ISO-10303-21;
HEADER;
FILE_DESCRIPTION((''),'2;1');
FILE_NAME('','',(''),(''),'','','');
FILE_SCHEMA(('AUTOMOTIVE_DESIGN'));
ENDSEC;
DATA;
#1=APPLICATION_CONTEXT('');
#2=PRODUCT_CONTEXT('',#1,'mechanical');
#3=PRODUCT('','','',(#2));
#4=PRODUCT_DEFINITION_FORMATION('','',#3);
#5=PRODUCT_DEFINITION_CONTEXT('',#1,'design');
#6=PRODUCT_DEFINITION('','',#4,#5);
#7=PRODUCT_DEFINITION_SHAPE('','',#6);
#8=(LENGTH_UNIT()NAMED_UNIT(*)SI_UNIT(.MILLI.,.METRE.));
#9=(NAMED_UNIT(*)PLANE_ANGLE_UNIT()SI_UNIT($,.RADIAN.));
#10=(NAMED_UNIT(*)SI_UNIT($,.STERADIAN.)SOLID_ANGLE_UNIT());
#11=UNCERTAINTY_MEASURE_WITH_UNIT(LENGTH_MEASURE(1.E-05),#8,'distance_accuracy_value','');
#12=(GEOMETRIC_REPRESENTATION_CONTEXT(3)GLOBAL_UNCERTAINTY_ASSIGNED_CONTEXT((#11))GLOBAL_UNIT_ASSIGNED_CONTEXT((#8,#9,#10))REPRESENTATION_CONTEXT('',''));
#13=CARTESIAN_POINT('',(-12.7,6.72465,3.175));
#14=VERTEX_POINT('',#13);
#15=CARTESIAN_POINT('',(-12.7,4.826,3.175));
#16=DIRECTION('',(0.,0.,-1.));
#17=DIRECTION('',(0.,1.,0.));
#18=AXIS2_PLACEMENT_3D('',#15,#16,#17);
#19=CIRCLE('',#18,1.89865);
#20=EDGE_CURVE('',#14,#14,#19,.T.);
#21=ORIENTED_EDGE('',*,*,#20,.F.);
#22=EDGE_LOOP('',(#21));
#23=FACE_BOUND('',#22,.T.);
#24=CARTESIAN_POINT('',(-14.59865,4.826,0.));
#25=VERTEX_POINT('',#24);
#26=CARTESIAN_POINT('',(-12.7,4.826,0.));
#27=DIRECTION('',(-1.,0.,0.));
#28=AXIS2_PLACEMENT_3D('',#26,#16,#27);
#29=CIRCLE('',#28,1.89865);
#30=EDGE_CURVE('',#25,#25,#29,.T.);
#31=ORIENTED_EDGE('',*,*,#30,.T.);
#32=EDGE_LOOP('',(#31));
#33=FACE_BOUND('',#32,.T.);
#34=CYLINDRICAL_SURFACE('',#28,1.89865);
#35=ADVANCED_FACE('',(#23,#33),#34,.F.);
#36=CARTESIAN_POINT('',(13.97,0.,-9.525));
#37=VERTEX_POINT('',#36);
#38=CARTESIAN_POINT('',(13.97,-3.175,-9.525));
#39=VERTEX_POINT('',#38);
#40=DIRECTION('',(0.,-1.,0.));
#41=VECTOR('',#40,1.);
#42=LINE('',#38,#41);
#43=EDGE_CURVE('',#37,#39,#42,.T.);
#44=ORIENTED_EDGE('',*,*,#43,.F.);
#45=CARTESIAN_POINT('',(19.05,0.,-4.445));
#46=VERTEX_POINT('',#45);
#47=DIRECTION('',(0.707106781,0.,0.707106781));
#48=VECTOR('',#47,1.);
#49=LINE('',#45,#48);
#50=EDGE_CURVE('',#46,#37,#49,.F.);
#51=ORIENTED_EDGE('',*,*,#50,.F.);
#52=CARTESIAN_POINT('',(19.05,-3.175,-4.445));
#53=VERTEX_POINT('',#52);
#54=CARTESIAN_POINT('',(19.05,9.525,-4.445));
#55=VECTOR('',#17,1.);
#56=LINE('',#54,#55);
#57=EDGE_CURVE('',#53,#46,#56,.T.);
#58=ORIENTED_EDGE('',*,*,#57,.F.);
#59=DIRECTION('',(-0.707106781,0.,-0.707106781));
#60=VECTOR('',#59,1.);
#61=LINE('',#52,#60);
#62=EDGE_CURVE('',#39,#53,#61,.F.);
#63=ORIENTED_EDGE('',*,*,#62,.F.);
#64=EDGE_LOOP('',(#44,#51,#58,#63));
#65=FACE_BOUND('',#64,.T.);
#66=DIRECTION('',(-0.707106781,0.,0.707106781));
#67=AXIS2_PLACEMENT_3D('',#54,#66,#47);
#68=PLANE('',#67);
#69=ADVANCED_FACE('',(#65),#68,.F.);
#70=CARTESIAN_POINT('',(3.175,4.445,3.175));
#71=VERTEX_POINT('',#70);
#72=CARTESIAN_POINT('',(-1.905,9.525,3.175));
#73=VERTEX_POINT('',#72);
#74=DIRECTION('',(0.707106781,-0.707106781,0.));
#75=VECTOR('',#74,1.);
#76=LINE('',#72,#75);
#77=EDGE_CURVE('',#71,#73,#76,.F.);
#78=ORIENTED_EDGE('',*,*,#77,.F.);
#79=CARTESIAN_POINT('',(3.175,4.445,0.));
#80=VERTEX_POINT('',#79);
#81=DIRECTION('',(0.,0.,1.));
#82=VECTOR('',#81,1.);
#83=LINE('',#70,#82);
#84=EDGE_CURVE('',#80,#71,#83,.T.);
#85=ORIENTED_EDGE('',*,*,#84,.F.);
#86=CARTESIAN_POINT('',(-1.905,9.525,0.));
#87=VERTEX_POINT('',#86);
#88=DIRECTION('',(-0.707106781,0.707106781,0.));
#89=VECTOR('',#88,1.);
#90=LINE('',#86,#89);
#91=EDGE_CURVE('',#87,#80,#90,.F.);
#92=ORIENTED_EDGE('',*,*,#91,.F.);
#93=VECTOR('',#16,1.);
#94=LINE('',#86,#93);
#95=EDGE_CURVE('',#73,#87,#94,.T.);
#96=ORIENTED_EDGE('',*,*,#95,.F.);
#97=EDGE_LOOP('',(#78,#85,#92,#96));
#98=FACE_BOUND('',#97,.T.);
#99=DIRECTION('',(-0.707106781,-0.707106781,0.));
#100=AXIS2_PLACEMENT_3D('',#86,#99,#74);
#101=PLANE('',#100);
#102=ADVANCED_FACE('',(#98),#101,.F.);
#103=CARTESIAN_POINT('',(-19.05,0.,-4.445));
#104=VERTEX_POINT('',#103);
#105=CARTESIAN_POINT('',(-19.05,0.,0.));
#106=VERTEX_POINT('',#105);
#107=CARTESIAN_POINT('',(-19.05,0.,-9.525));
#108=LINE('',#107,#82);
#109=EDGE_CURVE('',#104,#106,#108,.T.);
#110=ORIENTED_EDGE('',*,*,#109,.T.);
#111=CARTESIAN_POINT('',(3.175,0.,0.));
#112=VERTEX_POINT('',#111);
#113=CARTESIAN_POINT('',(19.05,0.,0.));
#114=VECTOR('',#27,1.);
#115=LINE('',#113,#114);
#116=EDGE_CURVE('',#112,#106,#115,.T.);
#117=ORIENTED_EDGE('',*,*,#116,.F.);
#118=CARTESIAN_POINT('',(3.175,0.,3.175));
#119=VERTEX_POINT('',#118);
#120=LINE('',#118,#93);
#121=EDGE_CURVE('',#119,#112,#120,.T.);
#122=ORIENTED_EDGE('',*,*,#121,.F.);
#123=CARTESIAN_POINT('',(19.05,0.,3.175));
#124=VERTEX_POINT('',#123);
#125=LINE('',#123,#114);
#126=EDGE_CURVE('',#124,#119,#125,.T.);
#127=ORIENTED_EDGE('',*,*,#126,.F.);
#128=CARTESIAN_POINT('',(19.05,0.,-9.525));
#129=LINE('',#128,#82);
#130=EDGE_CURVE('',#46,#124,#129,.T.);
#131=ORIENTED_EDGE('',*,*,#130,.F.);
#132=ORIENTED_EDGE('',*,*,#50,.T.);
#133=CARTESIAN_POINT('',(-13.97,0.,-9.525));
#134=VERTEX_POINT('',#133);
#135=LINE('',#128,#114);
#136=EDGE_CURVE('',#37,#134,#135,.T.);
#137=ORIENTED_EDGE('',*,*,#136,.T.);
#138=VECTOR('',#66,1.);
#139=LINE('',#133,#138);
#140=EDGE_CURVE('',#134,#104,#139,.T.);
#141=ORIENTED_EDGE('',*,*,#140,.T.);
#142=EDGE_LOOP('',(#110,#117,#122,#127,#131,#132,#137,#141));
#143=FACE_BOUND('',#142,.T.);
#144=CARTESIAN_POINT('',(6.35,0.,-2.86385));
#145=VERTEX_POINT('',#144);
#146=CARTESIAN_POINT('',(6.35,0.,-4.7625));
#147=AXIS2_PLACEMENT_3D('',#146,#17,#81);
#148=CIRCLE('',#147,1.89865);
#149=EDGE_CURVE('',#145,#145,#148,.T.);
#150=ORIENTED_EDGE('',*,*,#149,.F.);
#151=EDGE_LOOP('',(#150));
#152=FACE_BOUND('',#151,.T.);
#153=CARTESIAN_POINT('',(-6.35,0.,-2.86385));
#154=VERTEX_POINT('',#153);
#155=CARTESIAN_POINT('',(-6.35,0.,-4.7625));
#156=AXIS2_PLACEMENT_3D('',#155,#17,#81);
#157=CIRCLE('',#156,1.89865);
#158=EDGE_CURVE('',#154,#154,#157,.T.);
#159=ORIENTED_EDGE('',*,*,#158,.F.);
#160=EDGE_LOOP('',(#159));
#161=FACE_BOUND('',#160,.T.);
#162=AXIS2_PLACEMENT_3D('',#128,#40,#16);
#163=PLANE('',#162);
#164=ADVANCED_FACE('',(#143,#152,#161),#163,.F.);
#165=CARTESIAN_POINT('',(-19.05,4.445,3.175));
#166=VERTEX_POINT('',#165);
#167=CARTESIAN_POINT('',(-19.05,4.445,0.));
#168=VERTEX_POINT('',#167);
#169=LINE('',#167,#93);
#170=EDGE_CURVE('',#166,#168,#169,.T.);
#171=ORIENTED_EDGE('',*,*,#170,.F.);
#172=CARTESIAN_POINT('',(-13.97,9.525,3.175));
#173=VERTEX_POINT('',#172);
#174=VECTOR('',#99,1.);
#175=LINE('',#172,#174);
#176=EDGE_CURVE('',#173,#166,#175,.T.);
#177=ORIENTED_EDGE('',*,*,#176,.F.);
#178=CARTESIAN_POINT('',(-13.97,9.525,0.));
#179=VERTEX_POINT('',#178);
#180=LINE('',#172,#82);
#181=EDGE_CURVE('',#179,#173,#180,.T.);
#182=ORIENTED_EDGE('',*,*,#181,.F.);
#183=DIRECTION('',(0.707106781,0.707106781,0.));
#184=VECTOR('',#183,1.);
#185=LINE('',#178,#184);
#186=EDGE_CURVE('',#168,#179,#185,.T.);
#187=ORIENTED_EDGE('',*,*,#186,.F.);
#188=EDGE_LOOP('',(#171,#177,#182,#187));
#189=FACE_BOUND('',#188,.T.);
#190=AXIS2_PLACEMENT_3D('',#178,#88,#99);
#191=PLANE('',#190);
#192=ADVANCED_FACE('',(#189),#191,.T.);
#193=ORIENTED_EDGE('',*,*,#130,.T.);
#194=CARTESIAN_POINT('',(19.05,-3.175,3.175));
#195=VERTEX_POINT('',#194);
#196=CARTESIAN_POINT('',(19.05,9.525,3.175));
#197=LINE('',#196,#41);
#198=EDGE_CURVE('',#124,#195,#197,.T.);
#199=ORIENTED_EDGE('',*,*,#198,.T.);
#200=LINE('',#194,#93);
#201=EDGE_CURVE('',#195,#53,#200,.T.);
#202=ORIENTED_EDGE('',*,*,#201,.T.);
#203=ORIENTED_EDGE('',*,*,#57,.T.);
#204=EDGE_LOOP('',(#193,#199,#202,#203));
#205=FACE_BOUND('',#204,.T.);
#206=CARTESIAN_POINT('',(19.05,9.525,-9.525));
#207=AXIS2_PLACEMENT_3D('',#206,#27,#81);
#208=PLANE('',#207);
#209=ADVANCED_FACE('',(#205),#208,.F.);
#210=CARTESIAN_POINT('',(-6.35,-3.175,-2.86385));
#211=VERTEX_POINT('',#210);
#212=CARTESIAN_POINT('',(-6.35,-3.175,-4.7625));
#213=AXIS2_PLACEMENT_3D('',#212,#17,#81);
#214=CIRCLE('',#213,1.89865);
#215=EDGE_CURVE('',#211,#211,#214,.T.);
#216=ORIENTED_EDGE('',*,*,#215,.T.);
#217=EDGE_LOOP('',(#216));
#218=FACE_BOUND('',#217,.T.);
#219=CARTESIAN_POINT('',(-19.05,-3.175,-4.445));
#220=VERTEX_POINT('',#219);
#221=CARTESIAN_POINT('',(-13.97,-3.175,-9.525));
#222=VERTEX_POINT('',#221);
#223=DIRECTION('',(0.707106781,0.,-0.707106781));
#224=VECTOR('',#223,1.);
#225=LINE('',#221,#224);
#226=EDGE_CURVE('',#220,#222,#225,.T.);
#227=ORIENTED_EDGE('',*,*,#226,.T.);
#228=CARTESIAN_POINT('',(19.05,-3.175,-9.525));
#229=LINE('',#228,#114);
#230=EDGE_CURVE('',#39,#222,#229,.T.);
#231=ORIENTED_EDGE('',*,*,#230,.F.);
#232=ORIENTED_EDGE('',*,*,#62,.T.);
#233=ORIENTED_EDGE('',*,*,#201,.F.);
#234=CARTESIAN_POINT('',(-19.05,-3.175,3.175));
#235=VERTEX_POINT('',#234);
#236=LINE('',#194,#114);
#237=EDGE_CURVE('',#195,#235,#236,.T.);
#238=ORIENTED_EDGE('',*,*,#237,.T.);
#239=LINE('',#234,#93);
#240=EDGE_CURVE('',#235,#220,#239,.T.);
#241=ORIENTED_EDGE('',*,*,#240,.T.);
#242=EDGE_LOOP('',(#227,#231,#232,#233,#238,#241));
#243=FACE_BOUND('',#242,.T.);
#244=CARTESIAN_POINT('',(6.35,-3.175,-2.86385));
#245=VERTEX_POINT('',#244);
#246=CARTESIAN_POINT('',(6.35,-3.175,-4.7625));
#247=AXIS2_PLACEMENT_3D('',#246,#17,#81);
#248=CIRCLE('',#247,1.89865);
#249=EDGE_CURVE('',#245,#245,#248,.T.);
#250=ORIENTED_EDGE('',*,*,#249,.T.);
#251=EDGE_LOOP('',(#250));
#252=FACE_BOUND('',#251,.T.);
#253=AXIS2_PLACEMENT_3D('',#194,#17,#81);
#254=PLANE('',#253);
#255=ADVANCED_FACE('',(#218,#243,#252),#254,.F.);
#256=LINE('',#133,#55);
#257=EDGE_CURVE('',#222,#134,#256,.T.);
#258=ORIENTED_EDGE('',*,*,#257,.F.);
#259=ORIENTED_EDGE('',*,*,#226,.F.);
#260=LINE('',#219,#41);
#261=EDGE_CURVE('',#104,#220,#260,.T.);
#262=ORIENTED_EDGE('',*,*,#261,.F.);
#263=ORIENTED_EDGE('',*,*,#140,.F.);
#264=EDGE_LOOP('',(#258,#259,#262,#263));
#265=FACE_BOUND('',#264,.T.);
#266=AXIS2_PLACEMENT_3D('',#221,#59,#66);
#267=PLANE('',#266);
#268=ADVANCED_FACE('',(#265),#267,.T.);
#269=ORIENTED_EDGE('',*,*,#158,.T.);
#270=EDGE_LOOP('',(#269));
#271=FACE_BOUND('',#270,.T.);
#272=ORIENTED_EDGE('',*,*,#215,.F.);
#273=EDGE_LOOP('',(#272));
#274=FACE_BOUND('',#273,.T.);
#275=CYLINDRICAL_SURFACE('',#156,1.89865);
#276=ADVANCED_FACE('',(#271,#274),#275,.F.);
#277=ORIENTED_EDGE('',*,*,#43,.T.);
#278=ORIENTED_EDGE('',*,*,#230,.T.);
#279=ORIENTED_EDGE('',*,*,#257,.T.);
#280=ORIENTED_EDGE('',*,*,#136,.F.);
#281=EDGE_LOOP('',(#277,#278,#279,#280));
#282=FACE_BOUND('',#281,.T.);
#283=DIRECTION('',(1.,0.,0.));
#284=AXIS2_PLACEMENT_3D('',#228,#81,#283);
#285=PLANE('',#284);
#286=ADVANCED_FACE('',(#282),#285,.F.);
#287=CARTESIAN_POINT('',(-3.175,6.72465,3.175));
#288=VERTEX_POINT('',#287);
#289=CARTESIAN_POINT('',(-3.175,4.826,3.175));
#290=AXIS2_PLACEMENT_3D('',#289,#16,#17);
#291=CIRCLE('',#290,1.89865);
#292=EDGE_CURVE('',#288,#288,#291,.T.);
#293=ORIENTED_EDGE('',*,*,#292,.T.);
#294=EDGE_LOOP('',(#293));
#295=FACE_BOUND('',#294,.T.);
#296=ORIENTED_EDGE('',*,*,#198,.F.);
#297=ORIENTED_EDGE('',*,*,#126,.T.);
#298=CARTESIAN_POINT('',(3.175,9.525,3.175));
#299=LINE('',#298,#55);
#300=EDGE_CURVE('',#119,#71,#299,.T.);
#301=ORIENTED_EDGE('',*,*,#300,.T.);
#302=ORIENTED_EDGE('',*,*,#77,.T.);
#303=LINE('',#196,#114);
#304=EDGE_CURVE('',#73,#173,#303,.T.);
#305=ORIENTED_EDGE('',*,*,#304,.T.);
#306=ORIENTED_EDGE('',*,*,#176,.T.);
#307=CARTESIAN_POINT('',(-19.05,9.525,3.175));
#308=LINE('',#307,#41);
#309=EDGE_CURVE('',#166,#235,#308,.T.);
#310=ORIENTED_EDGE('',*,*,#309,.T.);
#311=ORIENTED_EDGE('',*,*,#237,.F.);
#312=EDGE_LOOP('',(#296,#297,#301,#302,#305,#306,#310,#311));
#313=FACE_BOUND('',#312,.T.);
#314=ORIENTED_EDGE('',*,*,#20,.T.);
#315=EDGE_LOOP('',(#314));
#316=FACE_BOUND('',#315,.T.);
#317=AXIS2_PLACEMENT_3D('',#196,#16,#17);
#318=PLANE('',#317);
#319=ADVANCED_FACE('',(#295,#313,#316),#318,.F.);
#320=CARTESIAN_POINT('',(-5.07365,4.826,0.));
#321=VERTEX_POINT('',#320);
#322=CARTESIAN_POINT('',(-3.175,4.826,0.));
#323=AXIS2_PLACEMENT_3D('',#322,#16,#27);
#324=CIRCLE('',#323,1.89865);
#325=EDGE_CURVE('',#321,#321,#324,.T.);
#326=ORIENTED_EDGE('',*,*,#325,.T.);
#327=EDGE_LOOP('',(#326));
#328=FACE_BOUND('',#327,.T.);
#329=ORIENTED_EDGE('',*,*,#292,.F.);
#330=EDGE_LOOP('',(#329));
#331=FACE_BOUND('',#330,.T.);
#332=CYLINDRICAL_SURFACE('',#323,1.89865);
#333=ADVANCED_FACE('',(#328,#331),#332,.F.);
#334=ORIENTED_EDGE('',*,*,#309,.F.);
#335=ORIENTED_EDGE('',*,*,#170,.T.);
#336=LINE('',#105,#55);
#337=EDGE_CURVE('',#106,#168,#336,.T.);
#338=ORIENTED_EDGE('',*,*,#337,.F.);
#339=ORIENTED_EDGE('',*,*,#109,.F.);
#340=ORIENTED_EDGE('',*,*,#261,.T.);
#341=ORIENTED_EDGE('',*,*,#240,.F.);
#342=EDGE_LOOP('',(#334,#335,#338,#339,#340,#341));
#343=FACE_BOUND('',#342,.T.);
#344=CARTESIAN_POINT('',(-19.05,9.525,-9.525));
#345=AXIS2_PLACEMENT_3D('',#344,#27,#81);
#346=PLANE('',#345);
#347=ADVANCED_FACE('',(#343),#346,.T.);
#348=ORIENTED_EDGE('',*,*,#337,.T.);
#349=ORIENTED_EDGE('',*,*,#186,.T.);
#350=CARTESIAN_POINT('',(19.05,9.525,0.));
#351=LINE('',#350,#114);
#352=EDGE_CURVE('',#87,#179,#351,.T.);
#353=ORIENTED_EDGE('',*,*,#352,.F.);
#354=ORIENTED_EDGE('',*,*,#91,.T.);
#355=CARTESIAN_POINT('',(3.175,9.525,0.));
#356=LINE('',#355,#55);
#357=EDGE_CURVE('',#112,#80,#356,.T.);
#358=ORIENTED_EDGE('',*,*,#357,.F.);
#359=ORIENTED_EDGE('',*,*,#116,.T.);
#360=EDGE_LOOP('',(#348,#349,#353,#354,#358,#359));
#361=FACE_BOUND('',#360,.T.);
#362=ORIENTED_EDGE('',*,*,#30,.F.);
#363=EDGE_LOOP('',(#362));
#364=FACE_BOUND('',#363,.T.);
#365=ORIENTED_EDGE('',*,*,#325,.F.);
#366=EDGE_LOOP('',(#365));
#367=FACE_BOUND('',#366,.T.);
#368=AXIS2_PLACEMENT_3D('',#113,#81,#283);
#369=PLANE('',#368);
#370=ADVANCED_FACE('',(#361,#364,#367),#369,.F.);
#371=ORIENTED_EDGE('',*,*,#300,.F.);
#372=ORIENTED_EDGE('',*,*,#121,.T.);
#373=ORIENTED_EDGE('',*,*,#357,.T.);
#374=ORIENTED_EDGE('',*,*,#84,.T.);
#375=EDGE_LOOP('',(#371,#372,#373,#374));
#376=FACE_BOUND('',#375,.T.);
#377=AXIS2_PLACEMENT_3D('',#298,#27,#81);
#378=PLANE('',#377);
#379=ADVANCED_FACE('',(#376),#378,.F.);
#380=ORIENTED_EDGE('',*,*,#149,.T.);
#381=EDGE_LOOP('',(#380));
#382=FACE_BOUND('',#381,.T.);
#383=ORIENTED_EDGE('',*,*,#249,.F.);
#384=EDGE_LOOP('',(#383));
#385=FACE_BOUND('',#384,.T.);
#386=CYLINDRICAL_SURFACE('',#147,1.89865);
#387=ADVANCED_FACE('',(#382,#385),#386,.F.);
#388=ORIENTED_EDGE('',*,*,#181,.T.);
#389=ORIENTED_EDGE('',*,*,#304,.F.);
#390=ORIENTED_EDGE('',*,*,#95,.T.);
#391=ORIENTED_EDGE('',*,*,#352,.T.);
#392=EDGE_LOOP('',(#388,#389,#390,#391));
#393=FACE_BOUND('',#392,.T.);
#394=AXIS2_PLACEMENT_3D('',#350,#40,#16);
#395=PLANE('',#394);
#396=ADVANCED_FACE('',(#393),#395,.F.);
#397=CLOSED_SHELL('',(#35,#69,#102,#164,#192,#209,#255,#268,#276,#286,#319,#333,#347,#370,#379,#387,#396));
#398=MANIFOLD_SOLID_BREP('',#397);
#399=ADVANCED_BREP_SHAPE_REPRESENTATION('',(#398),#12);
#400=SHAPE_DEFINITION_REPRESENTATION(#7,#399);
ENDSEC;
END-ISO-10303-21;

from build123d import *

# Parameters (mm, degrees)
EXTRUDE1_DEPTH                      = 19.05
EXTRUDE1_DEPTH_BACK                 = 19.05
F_6_CLEARANCE_HOLE1_D               = 3.7973
F_6_CLEARANCE_HOLE1_DEPTH           = 6.35
F_6_CLEARANCE_HOLE1_TIP             = 1.140824014
F_6_CLEARANCE_HOLE1_ON_FACE_2_D     = 3.7973
F_6_CLEARANCE_HOLE1_ON_FACE_2_DEPTH = 6.35
F_6_CLEARANCE_HOLE1_ON_FACE_2_TIP   = 1.140824014
SKETCH3_W                           = 15.875
SKETCH3_H                           = 9.525
CUT_EXTRUDE1_DEPTH                  = 24.3313898
CHAMFER1_SIZE                       = 5.08


with BuildPart() as part:
    # Sketch1 → Extrude1 (new, two sides: drawn at the far end of the back side and taken through both)
    with BuildSketch(Plane(origin=(0, 0, 0), x_dir=(0, 0, -1), z_dir=(1, 0, 0)).offset(-EXTRUDE1_DEPTH_BACK)):
        Polygon((-3.175, 9.525), (-3.175, -3.175), (9.525, -3.175), (9.525, 0), (0, 0), (0, 9.525), align=None)
    extrude(amount=EXTRUDE1_DEPTH + EXTRUDE1_DEPTH_BACK)

    # #6 Clearance Hole1
    with Locations(Plane(origin=(6.35, 0, -4.7625), x_dir=(0, 0, 1), z_dir=(0, 1, 0))):
        with Locations((0, 0), (0, -12.7)):
            Hole(F_6_CLEARANCE_HOLE1_D / 2, depth=F_6_CLEARANCE_HOLE1_DEPTH)
            with Locations((0, 0, -(F_6_CLEARANCE_HOLE1_DEPTH + F_6_CLEARANCE_HOLE1_TIP / 2))):  # 118° drill point
                Cone(0, F_6_CLEARANCE_HOLE1_D / 2, F_6_CLEARANCE_HOLE1_TIP, mode=Mode.SUBTRACT)

    # #6 Clearance Hole1 on face 2
    with Locations(Plane(origin=(-12.7, 4.826, 0), x_dir=(-1, 0, 0), z_dir=(0, 0, -1))):
        with Locations((0, 0), (-9.525, 0)):
            Hole(F_6_CLEARANCE_HOLE1_ON_FACE_2_D / 2, depth=F_6_CLEARANCE_HOLE1_ON_FACE_2_DEPTH)
            with Locations((0, 0, -(F_6_CLEARANCE_HOLE1_ON_FACE_2_DEPTH + F_6_CLEARANCE_HOLE1_ON_FACE_2_TIP / 2))):  # 118° drill point
                Cone(0, F_6_CLEARANCE_HOLE1_ON_FACE_2_D / 2, F_6_CLEARANCE_HOLE1_ON_FACE_2_TIP, mode=Mode.SUBTRACT)

    # Sketch3 → Cut-Extrude1 (cut, through all)
    with BuildSketch(Plane(origin=(0, 0, 0), x_dir=(-1, 0, 0), z_dir=(0, 0, -1))):
        with Locations((-11.1125, 4.7625)):
            Rectangle(SKETCH3_W, SKETCH3_H)
    extrude(amount=-CUT_EXTRUDE1_DEPTH, mode=Mode.SUBTRACT)

    # Chamfer1
    chamfer1_edges = [part.edges().sort_by_distance(p)[0] for p in [
        (19.05, -1.5875, -9.525),
        (-19.05, -1.5875, -9.525),
        (-19.05, 9.525, 1.5875),
        (3.175, 9.525, 1.5875),
    ]]
    chamfer(chamfer1_edges, length=CHAMFER1_SIZE)


solid = part.part
